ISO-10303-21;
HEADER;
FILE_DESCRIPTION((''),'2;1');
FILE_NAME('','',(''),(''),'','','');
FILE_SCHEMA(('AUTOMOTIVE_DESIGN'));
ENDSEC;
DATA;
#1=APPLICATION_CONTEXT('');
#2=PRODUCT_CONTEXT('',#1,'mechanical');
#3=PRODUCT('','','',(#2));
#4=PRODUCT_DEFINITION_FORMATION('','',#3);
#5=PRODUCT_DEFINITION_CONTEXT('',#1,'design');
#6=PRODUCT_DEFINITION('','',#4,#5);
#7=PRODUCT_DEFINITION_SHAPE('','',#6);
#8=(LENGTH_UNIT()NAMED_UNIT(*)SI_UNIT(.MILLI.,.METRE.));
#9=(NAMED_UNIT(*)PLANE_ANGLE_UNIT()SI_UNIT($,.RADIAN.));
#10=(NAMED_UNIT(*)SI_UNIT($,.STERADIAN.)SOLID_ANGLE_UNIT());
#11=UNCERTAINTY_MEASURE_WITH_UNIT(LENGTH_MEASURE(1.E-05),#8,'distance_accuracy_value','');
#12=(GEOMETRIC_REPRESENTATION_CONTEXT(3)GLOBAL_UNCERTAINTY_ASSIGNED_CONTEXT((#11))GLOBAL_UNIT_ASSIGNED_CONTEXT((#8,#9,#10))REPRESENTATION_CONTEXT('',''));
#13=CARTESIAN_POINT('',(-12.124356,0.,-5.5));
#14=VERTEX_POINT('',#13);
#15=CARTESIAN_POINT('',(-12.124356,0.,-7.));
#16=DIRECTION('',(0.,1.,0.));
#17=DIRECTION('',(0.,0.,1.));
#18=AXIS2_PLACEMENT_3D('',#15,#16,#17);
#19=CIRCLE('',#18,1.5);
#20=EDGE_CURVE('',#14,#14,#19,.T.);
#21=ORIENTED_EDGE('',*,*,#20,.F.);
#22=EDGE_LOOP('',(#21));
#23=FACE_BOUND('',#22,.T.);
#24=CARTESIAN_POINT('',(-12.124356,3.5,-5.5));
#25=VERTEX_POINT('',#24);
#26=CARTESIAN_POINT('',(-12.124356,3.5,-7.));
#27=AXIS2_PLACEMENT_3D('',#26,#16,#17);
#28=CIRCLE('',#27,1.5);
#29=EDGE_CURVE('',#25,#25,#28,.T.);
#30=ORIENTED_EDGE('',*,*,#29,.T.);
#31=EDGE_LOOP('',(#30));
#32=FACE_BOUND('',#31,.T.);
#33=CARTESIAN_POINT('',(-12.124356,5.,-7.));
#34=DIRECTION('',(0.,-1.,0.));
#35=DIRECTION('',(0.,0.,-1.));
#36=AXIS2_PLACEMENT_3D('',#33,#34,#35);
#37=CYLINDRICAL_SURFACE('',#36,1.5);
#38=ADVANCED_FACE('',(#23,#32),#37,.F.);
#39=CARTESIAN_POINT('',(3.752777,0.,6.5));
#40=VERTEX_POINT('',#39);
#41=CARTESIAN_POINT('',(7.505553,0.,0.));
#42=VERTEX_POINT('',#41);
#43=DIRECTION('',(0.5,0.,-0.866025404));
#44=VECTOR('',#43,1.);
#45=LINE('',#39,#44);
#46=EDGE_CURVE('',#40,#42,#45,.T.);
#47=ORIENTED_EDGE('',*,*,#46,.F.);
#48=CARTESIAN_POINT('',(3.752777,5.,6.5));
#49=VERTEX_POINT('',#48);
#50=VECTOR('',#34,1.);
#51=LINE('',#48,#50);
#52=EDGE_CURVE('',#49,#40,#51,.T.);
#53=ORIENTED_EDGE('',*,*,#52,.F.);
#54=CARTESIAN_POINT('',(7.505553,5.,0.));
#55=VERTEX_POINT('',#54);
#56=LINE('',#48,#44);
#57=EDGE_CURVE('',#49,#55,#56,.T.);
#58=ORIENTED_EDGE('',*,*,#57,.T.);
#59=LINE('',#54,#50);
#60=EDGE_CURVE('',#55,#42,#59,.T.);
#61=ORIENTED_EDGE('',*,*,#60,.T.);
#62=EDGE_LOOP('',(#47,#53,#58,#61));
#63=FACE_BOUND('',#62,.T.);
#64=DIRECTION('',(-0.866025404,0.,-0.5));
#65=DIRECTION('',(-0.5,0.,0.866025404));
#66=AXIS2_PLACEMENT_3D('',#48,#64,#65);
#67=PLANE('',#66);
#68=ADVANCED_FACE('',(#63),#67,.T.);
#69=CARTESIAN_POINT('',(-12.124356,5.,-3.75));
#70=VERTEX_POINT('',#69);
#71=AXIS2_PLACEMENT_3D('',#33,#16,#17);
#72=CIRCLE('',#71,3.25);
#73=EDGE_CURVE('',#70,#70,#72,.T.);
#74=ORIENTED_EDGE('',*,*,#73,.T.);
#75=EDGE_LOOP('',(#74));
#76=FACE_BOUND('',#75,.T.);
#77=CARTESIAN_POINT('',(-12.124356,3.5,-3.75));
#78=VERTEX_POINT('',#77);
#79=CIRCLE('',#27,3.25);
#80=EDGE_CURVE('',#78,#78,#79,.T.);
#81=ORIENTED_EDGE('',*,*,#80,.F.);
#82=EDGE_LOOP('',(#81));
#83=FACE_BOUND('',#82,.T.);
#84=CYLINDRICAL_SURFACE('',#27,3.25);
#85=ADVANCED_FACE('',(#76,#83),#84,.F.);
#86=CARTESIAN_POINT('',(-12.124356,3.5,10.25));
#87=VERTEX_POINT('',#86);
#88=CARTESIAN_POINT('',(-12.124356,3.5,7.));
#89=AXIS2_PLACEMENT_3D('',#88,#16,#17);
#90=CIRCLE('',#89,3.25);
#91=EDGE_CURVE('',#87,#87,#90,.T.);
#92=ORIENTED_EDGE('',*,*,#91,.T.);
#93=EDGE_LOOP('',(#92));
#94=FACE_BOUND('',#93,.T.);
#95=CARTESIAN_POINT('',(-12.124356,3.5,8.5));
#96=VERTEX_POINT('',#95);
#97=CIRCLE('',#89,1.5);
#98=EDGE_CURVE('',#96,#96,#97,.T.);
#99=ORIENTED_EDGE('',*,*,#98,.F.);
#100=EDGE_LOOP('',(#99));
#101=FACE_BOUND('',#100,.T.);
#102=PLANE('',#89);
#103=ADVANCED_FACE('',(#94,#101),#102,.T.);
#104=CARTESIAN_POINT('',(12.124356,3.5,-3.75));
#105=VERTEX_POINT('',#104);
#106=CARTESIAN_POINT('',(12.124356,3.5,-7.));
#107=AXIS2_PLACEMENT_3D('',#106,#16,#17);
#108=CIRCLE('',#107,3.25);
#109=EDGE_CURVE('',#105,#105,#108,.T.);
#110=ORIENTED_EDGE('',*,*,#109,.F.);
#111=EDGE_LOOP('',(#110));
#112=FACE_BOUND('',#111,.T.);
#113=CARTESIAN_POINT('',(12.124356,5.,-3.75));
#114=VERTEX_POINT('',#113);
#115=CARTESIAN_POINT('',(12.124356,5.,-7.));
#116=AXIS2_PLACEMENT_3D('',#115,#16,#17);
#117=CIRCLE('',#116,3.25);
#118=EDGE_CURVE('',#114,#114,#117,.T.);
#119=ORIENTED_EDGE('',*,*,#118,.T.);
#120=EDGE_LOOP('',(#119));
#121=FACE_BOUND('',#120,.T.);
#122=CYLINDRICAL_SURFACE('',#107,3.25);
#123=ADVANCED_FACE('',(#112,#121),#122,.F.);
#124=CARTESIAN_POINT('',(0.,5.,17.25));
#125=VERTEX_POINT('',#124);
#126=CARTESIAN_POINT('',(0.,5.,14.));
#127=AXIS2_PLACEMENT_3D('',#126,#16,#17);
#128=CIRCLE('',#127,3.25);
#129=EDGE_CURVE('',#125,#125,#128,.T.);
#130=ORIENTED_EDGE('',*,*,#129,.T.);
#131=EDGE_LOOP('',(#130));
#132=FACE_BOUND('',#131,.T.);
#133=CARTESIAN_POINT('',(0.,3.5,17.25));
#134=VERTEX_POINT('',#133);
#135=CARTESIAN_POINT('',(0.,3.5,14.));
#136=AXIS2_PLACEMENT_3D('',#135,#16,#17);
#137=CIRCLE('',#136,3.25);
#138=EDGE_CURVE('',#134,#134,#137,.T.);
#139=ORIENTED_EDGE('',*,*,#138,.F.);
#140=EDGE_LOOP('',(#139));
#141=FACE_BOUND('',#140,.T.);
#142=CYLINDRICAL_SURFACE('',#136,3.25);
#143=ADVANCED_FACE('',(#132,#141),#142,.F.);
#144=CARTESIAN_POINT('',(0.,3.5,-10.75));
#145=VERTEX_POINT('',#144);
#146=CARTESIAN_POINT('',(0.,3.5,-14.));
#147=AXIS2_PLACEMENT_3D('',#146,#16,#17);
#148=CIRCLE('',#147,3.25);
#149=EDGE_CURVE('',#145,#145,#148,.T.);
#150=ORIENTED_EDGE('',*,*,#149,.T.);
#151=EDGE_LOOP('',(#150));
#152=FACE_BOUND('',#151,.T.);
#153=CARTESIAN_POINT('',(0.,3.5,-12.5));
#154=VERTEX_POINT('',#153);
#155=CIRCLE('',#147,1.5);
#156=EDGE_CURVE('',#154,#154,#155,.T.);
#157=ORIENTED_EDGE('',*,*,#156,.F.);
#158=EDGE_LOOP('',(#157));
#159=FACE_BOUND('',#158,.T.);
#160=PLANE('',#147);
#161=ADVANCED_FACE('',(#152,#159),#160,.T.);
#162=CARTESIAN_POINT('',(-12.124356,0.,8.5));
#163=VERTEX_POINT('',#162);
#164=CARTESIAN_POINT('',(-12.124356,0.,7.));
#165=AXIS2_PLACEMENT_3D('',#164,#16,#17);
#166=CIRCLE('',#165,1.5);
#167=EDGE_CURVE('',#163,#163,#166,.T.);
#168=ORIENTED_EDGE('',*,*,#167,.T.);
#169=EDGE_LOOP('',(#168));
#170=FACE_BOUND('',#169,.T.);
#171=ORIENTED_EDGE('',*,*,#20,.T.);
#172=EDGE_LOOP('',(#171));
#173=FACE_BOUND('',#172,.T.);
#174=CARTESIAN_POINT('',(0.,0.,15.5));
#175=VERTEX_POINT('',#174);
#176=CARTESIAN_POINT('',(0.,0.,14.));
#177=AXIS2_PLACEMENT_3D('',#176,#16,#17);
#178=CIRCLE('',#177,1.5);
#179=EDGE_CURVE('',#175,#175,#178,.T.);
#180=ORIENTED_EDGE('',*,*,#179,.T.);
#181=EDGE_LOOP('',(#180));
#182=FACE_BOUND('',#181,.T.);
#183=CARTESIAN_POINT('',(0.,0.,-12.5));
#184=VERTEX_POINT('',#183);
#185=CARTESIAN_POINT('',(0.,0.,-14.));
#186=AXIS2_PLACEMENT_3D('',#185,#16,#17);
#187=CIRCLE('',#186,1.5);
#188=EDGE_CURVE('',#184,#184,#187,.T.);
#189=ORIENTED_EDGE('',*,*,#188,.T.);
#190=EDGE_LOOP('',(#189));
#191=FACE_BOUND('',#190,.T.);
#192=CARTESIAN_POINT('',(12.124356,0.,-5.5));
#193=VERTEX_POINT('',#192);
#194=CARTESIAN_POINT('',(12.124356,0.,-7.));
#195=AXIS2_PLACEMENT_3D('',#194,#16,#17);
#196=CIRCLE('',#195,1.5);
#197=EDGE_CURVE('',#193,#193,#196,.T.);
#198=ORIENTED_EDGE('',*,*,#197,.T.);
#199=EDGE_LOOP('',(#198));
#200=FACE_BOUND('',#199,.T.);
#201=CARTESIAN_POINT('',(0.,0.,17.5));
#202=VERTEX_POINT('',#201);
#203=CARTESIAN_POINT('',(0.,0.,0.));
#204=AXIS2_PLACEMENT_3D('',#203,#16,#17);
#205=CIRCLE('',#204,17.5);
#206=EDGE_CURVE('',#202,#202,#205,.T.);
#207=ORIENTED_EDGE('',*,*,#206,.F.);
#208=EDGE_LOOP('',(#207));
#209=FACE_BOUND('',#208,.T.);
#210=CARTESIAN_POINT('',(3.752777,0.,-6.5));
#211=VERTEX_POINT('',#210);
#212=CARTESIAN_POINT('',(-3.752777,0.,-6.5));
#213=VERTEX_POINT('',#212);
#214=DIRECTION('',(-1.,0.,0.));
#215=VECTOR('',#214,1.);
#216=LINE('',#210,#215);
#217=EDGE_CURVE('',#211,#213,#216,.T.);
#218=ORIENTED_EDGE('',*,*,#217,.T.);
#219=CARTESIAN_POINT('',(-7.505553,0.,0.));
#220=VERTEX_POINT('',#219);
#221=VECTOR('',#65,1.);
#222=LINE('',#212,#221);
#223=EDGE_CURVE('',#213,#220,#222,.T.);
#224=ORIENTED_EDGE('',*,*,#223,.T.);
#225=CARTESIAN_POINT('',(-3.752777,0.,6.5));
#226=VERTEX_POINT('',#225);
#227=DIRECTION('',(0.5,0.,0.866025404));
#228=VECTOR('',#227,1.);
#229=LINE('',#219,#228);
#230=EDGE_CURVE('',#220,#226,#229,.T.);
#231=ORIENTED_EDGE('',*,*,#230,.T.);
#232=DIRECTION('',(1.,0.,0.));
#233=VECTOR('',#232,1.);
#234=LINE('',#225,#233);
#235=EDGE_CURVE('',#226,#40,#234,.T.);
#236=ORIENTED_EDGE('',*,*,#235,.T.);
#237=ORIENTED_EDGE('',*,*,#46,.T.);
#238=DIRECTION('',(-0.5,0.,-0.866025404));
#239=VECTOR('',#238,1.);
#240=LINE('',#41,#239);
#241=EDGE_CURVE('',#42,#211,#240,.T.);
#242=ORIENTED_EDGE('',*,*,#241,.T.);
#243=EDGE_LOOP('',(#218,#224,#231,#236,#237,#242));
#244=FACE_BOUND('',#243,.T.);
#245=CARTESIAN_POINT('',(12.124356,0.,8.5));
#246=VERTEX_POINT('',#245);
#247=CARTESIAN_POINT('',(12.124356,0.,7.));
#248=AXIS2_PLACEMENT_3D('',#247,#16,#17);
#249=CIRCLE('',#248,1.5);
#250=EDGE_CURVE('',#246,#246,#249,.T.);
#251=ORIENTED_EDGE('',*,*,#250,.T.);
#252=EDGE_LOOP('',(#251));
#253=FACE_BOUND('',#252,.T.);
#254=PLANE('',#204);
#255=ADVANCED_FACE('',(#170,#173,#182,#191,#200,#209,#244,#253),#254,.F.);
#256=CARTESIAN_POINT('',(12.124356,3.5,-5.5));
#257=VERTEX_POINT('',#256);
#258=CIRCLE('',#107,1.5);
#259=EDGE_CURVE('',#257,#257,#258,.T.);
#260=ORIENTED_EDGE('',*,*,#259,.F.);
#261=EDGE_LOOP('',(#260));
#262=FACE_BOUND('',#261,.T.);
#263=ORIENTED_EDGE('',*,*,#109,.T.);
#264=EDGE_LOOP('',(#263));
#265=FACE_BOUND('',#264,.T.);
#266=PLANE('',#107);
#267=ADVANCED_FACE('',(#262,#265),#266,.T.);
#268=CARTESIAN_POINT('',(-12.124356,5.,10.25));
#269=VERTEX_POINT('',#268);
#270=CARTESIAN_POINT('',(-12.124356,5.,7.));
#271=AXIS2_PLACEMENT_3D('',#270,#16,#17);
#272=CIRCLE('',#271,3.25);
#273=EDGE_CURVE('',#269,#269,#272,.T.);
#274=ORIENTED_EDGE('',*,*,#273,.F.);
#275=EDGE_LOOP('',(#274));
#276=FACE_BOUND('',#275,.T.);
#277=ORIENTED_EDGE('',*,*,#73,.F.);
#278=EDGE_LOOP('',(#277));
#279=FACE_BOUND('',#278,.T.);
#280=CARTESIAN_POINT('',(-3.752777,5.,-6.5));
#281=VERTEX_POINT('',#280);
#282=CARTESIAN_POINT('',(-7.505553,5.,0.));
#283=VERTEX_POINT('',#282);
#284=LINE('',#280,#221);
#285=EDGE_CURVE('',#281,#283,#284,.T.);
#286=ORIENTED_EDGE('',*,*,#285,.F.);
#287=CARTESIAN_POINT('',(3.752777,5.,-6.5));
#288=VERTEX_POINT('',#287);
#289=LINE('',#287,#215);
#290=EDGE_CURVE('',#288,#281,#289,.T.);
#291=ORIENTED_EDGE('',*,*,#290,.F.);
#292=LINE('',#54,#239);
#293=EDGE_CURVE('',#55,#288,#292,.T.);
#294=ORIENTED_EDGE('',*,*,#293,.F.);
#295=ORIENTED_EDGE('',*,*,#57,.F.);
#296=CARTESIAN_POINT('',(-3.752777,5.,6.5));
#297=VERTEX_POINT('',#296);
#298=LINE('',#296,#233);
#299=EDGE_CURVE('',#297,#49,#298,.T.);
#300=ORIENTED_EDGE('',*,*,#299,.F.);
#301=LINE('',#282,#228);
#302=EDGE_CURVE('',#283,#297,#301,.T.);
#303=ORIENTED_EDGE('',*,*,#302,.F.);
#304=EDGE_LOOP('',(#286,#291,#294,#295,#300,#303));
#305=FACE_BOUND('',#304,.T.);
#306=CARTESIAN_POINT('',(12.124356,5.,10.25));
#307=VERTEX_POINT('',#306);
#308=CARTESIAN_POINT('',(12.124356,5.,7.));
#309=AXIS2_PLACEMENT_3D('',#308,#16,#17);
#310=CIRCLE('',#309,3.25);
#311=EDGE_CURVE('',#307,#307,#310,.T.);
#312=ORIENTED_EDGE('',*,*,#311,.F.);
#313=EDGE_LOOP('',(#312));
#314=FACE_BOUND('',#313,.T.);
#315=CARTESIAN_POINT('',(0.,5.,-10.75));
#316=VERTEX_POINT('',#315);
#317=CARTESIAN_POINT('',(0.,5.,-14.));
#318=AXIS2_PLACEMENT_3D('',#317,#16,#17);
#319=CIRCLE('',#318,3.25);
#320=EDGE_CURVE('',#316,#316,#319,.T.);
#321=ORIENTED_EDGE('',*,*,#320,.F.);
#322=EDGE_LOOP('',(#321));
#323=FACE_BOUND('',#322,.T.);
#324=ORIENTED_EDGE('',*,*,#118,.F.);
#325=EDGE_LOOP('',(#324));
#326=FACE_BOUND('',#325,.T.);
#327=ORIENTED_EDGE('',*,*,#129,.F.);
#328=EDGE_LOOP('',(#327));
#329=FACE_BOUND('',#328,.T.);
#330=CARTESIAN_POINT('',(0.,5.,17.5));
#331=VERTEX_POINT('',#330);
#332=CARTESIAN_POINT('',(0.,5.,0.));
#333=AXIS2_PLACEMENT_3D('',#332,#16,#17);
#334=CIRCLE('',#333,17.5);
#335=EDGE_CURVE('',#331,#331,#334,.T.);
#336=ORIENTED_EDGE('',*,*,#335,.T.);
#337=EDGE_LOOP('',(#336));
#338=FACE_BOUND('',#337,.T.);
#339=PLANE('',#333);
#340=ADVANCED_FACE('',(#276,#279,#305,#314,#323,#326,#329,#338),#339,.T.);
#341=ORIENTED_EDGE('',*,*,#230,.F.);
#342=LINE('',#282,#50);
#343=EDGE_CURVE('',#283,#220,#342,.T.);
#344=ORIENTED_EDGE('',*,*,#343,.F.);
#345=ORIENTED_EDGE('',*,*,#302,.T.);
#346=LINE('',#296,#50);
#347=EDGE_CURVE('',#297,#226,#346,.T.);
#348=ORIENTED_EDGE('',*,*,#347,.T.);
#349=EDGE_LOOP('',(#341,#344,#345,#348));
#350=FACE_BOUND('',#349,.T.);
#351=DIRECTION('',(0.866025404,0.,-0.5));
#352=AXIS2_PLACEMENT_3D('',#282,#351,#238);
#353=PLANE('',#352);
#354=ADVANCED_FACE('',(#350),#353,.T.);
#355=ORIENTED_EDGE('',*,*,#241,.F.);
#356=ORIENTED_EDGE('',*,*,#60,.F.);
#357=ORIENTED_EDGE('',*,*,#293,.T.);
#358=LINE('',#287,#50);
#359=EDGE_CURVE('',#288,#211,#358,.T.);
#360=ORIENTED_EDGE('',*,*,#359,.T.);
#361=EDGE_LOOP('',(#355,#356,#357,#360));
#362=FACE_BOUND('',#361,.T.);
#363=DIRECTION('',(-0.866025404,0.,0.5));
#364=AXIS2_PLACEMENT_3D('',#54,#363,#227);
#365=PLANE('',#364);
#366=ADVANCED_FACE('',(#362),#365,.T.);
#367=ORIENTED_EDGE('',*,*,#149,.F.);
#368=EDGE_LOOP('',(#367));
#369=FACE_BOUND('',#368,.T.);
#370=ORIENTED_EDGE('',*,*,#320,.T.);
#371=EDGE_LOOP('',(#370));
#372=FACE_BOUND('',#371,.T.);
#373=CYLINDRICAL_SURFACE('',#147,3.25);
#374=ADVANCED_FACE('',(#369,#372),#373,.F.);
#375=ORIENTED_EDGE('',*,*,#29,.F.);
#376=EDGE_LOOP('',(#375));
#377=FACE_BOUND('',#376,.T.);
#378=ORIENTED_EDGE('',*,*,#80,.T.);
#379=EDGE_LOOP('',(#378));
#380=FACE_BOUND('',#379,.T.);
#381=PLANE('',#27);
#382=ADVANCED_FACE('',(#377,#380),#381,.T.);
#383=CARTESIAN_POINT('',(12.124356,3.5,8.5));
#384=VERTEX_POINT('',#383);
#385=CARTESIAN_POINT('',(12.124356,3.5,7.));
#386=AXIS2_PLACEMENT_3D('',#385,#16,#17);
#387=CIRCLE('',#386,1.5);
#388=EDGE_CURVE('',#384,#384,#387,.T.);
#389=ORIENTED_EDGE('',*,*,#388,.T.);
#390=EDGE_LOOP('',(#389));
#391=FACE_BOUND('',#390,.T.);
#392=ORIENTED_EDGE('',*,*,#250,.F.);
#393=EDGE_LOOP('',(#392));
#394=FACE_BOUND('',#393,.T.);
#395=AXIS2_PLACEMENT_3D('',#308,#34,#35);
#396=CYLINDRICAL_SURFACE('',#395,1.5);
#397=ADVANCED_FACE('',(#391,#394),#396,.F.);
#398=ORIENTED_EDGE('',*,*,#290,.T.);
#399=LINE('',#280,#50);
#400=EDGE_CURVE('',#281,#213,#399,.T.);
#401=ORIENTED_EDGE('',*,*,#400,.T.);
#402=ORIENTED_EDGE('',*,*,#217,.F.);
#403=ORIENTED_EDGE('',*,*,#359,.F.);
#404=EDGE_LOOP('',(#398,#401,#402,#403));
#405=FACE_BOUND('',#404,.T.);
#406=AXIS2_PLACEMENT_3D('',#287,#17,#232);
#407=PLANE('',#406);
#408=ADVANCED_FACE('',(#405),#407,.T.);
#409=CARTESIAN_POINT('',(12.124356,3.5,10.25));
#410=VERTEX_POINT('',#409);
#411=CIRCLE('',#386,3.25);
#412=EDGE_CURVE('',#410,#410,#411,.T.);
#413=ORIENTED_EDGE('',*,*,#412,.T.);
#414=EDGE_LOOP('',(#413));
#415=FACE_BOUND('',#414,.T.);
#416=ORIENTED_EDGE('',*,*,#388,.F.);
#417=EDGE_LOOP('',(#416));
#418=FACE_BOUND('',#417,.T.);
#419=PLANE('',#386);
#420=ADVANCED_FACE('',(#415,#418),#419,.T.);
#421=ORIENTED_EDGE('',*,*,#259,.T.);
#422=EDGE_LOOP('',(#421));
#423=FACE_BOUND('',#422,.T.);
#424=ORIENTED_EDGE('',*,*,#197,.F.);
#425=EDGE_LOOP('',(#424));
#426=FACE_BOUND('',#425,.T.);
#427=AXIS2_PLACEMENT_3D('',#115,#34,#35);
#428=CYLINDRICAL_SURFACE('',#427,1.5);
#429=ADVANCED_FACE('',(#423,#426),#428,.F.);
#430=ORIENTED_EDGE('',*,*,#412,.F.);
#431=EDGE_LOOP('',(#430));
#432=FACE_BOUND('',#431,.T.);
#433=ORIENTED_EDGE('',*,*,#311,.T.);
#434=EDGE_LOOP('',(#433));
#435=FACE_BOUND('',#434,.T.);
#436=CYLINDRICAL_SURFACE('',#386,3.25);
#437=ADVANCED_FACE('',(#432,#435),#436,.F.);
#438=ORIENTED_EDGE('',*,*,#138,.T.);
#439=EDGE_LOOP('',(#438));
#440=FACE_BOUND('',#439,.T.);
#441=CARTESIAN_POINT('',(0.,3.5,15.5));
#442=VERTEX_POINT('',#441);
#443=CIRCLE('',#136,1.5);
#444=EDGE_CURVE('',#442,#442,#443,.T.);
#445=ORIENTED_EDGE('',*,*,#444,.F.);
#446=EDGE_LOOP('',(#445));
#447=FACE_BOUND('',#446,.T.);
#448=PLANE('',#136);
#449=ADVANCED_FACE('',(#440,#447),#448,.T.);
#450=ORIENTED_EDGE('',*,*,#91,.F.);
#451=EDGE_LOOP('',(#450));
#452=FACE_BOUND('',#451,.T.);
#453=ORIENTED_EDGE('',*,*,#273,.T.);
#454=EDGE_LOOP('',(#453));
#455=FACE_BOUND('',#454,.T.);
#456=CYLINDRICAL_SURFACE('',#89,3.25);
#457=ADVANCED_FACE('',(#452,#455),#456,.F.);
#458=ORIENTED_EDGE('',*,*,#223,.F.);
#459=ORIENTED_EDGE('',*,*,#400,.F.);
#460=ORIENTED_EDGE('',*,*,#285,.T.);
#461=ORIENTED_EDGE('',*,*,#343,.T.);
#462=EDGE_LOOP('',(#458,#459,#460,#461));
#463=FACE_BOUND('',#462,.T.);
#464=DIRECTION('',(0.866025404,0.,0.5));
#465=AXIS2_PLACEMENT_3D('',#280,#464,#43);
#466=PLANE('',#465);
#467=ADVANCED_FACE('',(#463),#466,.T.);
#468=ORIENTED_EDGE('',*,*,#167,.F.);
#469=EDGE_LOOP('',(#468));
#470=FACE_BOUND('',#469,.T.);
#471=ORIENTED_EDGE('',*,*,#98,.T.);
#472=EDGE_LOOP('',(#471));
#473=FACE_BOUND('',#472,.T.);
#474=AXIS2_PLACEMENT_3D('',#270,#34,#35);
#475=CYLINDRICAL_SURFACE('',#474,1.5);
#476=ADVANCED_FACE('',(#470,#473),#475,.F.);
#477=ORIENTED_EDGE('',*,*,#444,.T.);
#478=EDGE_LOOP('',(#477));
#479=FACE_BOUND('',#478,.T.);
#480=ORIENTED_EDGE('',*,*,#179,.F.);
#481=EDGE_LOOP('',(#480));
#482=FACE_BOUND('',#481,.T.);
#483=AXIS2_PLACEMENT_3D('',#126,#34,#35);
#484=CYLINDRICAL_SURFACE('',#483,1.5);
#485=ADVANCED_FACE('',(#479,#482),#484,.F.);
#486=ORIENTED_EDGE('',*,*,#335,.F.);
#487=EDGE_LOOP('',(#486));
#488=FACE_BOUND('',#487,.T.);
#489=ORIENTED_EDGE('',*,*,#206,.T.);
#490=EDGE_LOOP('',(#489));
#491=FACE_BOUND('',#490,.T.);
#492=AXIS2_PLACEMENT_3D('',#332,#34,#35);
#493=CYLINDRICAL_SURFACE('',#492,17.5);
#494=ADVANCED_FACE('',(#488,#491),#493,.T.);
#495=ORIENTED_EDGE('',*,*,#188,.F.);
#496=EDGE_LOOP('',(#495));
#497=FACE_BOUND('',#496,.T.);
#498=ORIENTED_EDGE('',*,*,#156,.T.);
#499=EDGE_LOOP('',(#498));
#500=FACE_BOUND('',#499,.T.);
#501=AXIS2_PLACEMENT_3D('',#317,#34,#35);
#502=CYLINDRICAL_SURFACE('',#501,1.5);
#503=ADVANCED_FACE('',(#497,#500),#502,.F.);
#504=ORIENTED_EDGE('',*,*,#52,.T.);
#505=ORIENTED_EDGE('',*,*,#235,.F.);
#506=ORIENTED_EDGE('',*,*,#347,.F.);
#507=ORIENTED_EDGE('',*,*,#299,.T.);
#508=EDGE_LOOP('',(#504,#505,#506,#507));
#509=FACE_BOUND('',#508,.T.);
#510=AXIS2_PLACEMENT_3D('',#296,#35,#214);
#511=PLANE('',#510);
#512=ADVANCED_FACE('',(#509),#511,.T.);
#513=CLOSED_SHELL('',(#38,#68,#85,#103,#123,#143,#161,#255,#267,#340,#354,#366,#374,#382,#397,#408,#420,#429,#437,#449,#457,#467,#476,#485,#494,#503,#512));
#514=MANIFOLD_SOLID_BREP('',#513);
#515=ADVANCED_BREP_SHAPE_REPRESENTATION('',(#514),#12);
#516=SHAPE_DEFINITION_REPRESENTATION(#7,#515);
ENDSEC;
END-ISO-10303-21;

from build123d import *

# Parameters (mm, degrees)
SKETCH1_R           = 17.5
SKETCH1_R_2         = 1.5
BOSS_EXTRUDE1_DEPTH = 5
SKETCH2_R           = 3.25
CUT_EXTRUDE1_DEPTH  = 1.5


with BuildPart() as part:
    # Sketch1 → Boss-Extrude1 (new body)
    with BuildSketch(Plane(origin=(0, 0, 0), x_dir=(1, 0, 0), z_dir=(0, 1, 0))):
        with Locations(Location((0, 0, 0), (0, 0, 270))):
            Circle(SKETCH1_R)
        with Locations(Location((0, 14, 0), (0, 0, 270))):
            Circle(SKETCH1_R_2, mode=Mode.SUBTRACT)
        with Locations(Location((12.124355653, 7, 0), (0, 0, 270))):
            Circle(SKETCH1_R_2, mode=Mode.SUBTRACT)
        with Locations(Location((12.124355653, -7, 0), (0, 0, 270))):
            Circle(SKETCH1_R_2, mode=Mode.SUBTRACT)
        with Locations(Location((0, -14, 0), (0, 0, 270))):
            Circle(SKETCH1_R_2, mode=Mode.SUBTRACT)
        with Locations(Location((-12.124355653, -7, 0), (0, 0, 270))):
            Circle(SKETCH1_R_2, mode=Mode.SUBTRACT)
        with Locations(Location((-12.124355653, 7, 0), (0, 0, 270))):
            Circle(SKETCH1_R_2, mode=Mode.SUBTRACT)
        Polygon((7.505553499, 0), (3.75277675, 6.5), (-3.75277675, 6.5), (-7.505553499, 0), (-3.75277675, -6.5), (3.75277675, -6.5), align=None, mode=Mode.SUBTRACT)
    extrude(amount=BOSS_EXTRUDE1_DEPTH)

    # Sketch2 → Cut-Extrude1 (cut)
    with BuildSketch(Plane(origin=(0, 5, 0), x_dir=(1, 0, 0), z_dir=(0, 1, 0))):
        with Locations(Location((0, 14, 0), (0, 0, 270))):
            Circle(SKETCH2_R)
        with Locations(Location((12.124355653, 7, 0), (0, 0, 270))):
            Circle(SKETCH2_R)
        with Locations(Location((12.124355653, -7, 0), (0, 0, 270))):
            Circle(SKETCH2_R)
        with Locations(Location((0, -14, 0), (0, 0, 270))):
            Circle(SKETCH2_R)
        with Locations(Location((-12.124355653, -7, 0), (0, 0, 270))):
            Circle(SKETCH2_R)
        with Locations(Location((-12.124355653, 7, 0), (0, 0, 270))):
            Circle(SKETCH2_R)
    extrude(amount=-CUT_EXTRUDE1_DEPTH, mode=Mode.SUBTRACT)


solid = part.part
